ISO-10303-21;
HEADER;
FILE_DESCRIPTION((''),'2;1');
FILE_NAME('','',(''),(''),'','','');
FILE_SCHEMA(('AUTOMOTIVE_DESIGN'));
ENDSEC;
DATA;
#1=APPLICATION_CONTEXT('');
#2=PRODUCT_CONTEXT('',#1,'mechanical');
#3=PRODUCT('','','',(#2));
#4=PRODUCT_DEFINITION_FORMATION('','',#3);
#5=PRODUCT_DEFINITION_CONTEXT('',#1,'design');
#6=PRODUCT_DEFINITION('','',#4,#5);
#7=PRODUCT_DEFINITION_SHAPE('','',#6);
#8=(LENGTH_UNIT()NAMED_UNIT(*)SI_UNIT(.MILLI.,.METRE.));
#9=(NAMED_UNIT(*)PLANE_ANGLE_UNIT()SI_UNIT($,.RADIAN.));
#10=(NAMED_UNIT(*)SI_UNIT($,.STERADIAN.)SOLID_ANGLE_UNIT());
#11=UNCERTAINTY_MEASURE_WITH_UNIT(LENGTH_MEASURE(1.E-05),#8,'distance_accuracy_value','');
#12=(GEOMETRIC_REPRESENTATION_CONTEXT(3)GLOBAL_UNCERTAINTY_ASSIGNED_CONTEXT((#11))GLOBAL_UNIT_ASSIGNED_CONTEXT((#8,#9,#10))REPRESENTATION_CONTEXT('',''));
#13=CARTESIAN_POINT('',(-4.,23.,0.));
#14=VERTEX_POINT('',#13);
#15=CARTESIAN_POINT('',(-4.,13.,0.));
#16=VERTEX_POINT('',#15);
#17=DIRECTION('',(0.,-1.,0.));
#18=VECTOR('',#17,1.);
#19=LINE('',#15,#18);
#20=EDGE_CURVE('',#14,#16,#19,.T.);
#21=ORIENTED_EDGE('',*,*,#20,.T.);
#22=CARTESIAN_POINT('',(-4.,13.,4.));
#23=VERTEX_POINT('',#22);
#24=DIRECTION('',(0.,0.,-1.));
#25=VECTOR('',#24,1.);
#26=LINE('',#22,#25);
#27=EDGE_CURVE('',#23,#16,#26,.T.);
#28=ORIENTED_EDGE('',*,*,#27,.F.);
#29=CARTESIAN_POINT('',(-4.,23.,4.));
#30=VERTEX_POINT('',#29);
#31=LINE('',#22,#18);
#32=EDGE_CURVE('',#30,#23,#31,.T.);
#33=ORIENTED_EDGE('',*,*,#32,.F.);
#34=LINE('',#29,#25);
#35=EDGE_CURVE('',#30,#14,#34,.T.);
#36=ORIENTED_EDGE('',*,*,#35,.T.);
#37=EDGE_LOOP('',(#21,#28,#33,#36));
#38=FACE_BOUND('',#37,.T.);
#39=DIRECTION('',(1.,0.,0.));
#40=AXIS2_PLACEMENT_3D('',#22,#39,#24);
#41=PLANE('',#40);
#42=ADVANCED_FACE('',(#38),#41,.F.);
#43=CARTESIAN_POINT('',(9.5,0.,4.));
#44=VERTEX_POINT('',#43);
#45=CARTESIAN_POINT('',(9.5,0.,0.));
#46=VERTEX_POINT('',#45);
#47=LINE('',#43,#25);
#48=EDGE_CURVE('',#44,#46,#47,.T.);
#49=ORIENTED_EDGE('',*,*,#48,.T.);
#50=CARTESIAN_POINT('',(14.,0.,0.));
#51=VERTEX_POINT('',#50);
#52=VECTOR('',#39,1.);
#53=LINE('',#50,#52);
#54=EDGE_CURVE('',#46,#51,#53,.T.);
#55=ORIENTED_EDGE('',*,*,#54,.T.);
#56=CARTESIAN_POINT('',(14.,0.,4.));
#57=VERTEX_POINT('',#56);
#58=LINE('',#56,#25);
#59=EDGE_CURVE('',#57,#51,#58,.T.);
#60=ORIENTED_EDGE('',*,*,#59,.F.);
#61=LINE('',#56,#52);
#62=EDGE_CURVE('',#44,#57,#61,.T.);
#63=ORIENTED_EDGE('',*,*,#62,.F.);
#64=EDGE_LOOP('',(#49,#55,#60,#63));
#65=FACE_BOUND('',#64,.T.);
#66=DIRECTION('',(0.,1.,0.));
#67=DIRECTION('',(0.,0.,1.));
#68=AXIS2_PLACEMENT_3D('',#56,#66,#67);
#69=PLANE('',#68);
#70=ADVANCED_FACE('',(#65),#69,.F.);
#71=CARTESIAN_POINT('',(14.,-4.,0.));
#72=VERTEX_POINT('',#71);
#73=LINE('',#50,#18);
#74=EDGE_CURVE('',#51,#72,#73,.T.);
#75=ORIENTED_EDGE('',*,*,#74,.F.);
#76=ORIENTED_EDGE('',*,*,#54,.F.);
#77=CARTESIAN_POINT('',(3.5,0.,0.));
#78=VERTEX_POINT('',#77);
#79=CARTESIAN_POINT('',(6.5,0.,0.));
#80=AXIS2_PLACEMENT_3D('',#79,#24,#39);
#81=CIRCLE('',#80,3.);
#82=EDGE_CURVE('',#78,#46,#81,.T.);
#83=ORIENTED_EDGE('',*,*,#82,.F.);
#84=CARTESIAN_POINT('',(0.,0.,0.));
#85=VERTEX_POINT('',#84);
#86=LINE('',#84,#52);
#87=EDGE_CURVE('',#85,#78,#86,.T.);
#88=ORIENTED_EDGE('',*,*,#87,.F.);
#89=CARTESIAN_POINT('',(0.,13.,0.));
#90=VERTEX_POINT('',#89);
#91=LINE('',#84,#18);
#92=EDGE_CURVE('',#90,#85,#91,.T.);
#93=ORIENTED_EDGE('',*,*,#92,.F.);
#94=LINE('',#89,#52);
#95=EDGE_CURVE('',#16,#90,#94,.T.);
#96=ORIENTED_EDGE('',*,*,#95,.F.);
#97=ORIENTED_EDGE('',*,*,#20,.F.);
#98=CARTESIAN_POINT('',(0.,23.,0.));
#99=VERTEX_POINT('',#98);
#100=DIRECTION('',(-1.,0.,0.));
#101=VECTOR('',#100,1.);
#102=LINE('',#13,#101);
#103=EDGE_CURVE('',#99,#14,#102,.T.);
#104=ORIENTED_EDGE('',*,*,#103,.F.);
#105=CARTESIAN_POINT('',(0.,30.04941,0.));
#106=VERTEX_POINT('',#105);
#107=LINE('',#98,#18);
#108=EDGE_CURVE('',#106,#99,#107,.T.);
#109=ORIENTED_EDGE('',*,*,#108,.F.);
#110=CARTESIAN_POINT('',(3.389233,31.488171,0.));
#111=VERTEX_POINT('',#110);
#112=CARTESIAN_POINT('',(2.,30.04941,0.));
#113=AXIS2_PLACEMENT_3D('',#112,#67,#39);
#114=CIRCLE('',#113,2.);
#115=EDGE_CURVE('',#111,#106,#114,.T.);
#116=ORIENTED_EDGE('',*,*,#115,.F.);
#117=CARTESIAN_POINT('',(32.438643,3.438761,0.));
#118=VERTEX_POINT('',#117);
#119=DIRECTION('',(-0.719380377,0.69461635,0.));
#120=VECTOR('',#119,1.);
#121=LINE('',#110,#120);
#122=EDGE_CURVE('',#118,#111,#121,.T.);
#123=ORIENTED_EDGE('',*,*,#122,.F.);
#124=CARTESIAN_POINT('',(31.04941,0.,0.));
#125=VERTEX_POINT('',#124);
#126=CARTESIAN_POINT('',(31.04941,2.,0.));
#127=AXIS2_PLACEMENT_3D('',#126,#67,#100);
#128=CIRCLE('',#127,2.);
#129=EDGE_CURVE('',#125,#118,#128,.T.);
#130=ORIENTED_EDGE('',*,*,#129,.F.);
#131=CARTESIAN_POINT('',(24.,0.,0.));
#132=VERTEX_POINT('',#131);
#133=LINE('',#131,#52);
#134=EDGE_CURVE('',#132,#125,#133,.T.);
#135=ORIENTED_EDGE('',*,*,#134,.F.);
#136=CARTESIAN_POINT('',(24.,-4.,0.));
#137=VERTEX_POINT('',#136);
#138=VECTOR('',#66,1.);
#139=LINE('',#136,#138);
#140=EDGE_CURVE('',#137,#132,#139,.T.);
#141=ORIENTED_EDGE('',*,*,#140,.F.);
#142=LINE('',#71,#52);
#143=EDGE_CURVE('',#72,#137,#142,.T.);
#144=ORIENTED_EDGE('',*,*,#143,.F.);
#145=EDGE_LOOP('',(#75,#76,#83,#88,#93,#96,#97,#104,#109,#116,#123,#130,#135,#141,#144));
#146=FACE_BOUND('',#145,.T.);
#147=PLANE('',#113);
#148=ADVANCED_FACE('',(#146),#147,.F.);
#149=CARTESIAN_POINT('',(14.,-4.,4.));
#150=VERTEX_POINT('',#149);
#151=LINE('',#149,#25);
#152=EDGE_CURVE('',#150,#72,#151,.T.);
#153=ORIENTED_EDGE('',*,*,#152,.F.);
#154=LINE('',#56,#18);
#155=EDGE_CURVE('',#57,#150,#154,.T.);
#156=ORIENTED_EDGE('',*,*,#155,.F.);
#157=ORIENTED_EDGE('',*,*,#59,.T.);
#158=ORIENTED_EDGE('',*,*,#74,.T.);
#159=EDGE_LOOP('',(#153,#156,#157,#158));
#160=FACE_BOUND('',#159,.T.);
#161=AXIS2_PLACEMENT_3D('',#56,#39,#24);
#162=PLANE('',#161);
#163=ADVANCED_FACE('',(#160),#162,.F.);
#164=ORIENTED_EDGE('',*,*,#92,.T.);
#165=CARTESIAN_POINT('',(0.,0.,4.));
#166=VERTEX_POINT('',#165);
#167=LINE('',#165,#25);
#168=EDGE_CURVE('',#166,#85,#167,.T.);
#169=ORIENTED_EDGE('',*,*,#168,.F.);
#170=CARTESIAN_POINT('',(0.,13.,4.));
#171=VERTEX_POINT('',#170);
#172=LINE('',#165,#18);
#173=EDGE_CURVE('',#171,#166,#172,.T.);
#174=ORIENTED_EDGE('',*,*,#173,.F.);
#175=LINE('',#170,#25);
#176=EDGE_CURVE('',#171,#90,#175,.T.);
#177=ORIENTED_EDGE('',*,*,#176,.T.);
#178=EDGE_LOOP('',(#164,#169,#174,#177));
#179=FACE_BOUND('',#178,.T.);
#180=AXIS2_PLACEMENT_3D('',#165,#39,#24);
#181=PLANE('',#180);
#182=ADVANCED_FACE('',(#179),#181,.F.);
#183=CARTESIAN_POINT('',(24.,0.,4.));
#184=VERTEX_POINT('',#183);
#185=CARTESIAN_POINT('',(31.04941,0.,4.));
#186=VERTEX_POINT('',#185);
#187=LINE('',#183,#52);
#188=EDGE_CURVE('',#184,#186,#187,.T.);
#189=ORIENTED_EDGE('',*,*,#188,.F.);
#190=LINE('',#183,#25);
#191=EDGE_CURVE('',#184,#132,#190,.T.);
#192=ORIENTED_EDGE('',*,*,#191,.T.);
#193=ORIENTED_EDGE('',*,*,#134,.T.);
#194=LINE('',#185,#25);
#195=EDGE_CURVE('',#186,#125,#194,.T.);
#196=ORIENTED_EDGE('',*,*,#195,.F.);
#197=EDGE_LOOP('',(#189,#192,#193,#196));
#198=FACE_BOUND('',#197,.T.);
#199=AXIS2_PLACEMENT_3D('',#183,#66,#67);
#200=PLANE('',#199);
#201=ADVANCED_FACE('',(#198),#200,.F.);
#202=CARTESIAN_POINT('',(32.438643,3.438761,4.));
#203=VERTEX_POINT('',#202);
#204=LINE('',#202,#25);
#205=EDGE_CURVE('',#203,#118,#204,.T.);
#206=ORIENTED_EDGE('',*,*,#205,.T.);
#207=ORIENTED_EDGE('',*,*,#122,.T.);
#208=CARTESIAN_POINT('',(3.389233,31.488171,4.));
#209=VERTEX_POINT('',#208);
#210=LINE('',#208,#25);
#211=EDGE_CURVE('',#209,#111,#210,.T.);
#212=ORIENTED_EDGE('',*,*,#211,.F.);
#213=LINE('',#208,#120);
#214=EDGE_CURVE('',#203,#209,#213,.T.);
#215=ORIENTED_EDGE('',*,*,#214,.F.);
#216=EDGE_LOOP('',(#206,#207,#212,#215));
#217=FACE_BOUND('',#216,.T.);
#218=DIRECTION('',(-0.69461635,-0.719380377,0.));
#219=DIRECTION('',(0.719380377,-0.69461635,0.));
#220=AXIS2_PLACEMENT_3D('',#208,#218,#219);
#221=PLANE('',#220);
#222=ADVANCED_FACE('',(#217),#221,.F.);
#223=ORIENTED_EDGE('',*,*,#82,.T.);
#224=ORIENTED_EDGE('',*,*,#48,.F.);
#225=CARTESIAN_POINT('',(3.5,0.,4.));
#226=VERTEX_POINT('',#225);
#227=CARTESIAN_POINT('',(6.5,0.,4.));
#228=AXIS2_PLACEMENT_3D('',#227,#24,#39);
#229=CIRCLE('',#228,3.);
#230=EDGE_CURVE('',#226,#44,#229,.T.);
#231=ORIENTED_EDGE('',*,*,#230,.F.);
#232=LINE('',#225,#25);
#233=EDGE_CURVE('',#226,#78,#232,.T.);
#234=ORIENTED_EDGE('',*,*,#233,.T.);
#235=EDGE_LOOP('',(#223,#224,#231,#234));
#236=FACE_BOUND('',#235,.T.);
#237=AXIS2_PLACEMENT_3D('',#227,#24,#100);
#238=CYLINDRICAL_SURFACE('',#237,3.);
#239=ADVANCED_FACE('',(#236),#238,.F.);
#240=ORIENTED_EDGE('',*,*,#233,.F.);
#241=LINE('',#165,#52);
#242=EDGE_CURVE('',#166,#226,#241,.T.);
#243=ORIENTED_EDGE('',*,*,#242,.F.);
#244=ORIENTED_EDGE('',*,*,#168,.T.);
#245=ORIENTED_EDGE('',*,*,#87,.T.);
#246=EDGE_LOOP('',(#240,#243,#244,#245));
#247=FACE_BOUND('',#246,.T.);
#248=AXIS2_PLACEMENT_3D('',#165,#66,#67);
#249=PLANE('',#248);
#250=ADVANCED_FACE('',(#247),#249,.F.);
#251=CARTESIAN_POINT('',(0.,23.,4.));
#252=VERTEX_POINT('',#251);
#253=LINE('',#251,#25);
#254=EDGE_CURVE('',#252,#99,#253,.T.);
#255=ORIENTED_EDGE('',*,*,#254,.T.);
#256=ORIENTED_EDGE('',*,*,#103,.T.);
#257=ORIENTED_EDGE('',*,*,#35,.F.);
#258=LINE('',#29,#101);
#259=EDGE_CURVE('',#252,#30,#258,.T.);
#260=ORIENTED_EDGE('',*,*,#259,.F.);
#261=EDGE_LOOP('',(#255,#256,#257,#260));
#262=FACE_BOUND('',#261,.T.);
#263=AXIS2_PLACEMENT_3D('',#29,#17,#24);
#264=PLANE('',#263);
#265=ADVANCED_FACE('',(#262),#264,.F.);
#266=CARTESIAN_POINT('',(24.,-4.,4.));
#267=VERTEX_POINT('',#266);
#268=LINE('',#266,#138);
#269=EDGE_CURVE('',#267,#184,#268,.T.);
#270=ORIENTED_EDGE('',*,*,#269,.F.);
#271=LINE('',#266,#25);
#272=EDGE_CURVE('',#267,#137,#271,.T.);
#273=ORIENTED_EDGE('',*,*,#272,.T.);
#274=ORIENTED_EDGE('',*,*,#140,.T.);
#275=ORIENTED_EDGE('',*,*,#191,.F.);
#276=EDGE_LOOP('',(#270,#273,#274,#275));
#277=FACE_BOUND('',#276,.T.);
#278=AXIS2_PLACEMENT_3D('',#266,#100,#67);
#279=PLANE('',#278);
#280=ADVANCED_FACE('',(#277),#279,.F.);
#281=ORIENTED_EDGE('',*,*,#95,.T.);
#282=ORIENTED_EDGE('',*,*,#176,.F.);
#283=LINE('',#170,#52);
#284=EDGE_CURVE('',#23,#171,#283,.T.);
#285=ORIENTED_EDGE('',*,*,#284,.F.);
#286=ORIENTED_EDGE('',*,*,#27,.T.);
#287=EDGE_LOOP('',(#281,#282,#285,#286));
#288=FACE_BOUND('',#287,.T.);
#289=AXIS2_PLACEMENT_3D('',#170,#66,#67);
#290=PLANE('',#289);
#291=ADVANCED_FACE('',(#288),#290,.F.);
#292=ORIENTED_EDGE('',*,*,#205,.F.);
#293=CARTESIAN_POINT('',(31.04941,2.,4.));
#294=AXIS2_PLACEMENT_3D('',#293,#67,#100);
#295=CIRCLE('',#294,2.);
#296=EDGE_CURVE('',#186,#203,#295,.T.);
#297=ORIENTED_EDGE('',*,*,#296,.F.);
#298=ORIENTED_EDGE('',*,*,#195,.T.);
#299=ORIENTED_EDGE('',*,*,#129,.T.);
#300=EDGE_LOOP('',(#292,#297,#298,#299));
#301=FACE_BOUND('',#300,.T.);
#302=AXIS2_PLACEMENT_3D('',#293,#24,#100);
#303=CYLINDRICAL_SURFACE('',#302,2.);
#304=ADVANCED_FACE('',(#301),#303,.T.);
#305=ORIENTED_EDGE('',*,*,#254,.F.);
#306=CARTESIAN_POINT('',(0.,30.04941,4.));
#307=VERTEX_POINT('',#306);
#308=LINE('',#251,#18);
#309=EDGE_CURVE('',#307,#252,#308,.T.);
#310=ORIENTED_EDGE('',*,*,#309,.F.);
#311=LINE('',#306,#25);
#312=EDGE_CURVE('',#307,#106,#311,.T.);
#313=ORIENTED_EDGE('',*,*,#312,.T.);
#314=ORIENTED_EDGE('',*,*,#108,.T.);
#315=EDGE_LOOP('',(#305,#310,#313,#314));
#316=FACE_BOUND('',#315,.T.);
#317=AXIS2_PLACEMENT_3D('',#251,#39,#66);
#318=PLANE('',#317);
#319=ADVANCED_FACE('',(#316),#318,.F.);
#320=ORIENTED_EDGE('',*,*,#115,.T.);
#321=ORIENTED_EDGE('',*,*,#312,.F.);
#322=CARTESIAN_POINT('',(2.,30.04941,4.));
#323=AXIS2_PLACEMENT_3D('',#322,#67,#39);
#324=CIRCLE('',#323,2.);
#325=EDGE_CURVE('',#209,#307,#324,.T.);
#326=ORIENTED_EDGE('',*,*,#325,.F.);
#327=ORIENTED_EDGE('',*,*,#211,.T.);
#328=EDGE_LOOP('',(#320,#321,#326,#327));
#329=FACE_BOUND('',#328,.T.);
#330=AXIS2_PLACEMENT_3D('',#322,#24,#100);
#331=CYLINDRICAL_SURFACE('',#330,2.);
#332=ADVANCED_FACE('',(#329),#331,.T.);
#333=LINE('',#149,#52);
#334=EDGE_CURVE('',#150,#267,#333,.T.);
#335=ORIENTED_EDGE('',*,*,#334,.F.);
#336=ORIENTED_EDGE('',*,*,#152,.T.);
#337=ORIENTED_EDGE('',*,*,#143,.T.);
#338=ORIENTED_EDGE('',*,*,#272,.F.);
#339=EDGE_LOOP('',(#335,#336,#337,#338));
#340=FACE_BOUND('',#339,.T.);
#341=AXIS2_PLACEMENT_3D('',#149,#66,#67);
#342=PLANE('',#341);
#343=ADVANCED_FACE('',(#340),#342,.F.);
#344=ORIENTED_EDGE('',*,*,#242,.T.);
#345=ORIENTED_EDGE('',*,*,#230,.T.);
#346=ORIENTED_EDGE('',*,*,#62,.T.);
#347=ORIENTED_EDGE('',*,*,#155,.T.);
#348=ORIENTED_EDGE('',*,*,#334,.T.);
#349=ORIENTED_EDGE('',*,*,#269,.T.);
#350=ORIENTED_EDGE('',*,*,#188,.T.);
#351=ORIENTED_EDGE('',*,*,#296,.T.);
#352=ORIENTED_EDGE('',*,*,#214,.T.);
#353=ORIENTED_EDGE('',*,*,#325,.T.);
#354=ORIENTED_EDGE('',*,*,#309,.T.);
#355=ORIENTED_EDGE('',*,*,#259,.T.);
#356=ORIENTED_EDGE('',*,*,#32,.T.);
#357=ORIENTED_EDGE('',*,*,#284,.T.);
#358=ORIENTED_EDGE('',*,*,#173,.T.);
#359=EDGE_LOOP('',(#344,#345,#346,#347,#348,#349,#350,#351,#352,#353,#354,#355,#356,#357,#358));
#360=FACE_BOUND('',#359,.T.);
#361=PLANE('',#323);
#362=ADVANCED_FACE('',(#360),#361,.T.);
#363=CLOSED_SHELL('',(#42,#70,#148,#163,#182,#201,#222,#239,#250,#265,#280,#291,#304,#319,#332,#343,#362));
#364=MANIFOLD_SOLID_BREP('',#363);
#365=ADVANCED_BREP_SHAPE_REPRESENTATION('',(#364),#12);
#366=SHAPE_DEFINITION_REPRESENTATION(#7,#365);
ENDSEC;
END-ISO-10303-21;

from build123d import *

# Parameters (mm, degrees)
BOSS_EXTRUDE1_DEPTH = 4


with BuildPart() as part:
    # Sketch1 → Boss-Extrude1 (new body)
    with BuildSketch(Plane.XY):
        with BuildLine():
            Line((0, 0), (3.5, 0))
            ThreePointArc((3.5, 0), (6.5, 3), (9.5, 0))
            Line((9.5, 0), (14, 0))
            Line((14, 0), (14, -4))
            Line((14, -4), (24, -4))
            Line((24, -4), (24, 0))
            Line((24, 0), (31.049410002, 0))
            ThreePointArc((31.049410002, 0), (32.903799592, 1.250840974), (32.438642701, 3.438760754))
            Line((32.438642701, 3.438760754), (3.3892327, 31.488170756))
            ThreePointArc((3.3892327, 31.488170756), (1.218483973, 31.890396884), (0, 30.049410002))
            Line((0, 30.049410002), (0, 23))
            Line((0, 23), (-4, 23))
            Line((-4, 23), (-4, 13))
            Line((-4, 13), (0, 13))
            Line((0, 13), (0, 0))
        make_face()
    extrude(amount=BOSS_EXTRUDE1_DEPTH)


solid = part.part
